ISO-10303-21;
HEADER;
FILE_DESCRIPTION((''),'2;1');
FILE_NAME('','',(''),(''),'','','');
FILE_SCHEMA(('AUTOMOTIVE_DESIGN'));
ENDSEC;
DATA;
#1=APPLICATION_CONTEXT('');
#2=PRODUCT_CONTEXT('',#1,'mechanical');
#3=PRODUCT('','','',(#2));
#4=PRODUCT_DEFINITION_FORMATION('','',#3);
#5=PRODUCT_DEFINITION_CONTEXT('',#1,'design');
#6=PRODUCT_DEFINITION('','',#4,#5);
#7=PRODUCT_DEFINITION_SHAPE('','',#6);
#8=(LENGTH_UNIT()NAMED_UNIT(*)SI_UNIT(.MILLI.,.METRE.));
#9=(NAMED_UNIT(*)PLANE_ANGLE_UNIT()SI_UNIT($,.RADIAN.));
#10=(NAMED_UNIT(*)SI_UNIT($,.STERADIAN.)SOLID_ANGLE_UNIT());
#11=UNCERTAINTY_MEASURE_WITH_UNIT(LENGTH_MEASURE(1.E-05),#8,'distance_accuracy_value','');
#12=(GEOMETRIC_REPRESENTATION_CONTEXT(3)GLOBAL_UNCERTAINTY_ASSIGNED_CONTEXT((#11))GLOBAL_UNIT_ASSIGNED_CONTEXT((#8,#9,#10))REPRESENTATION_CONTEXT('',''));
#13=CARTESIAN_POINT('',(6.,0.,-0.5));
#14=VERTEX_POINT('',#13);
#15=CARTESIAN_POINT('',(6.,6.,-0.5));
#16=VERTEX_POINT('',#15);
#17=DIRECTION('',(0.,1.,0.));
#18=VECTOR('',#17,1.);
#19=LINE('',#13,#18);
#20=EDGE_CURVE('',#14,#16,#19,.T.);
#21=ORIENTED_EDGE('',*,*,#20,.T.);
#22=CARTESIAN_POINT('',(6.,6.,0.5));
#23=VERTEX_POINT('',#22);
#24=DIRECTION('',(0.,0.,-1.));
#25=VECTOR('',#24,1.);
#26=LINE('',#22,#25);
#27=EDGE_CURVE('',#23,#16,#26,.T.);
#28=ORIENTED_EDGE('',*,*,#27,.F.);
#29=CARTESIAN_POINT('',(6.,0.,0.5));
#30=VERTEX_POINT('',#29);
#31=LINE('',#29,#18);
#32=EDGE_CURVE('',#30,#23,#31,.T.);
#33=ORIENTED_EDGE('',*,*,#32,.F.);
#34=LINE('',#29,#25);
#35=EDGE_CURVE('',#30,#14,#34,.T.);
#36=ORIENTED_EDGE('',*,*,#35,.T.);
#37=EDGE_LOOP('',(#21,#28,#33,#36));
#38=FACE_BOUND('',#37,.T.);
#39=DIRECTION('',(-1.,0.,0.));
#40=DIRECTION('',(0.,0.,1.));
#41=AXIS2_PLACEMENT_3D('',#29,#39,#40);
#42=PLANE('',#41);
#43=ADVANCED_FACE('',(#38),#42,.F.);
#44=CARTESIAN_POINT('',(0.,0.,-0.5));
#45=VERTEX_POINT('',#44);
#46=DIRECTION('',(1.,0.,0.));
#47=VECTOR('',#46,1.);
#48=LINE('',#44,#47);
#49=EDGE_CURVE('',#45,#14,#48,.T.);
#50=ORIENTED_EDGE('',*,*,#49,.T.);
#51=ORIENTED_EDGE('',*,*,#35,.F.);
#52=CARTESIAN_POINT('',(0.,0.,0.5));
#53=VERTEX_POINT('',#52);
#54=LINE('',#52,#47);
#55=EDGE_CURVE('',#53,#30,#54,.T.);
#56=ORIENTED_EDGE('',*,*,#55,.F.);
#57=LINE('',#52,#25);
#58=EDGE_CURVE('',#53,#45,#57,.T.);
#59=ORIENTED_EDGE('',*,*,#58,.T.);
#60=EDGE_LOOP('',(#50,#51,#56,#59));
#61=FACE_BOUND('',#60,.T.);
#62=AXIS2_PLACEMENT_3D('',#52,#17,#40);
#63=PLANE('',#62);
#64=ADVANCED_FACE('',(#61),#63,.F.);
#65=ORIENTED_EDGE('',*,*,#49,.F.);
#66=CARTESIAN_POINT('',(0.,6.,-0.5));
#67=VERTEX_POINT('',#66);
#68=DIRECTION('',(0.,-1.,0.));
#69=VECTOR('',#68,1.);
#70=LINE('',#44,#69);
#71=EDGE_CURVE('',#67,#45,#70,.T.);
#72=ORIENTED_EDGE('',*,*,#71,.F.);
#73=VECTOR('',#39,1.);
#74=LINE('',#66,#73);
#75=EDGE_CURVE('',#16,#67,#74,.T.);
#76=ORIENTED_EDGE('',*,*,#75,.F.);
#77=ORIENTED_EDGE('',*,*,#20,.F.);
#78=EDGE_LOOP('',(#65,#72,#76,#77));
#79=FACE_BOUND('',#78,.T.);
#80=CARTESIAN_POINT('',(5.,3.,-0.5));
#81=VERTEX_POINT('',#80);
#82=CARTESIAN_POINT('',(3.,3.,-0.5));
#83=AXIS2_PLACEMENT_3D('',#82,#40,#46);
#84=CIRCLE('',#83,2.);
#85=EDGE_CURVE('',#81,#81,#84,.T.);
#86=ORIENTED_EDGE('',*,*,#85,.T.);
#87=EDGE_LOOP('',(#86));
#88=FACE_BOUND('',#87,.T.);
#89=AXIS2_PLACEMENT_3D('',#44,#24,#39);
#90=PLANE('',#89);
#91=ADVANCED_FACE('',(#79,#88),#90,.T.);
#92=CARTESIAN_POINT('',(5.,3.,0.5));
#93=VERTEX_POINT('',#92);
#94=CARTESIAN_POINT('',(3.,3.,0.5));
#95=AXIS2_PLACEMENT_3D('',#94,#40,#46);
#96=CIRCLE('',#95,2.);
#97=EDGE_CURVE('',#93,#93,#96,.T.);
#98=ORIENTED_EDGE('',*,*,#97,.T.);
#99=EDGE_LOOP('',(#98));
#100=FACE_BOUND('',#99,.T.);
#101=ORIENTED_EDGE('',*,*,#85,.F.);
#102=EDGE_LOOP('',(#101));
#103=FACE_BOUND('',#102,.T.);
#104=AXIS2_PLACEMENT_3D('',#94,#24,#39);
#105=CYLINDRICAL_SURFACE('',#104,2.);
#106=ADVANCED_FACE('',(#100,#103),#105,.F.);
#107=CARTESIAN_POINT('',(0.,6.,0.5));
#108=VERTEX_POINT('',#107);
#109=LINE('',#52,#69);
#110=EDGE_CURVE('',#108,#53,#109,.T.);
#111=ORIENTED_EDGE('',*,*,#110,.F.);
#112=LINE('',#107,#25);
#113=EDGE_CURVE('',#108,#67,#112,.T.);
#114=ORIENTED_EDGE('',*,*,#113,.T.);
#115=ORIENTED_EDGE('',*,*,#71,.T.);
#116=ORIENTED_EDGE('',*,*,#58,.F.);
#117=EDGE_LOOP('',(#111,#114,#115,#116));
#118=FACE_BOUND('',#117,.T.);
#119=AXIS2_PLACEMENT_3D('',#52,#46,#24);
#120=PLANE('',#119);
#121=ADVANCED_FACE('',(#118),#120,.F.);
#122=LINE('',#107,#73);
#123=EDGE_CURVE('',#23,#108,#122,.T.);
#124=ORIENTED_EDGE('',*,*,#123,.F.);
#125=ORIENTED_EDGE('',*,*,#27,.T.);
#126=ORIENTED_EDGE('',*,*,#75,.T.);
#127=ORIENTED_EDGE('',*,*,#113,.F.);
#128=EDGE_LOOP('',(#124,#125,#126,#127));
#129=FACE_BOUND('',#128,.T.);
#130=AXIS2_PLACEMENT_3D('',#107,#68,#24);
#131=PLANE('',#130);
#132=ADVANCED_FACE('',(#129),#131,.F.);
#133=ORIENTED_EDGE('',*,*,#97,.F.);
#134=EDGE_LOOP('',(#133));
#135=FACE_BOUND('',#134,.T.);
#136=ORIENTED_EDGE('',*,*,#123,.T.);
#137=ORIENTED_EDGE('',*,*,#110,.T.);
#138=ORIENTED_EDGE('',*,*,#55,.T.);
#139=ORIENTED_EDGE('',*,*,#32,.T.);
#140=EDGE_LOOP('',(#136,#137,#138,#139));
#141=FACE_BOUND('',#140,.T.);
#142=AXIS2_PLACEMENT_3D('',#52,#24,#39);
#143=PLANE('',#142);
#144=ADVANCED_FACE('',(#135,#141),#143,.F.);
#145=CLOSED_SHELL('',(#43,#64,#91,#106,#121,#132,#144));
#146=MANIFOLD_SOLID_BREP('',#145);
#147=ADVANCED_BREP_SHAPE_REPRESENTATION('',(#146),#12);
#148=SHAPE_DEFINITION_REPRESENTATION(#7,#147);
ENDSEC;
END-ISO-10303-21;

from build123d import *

# Parameters (mm, degrees)
SKETCH_1_W      = 6
SKETCH_1_H      = 6
SKETCH_1_R      = 2
EXTRUDE_1_DEPTH = 0.5


with BuildPart() as part:
    # 草图1 → 凸台-拉伸1 (new, symmetric)
    with BuildSketch(Plane.XY):
        with Locations((3, 3)):
            Rectangle(SKETCH_1_W, SKETCH_1_H)
        with Locations((3, 3)):
            Circle(SKETCH_1_R, mode=Mode.SUBTRACT)
    extrude(amount=EXTRUDE_1_DEPTH, both=True)


solid = part.part
